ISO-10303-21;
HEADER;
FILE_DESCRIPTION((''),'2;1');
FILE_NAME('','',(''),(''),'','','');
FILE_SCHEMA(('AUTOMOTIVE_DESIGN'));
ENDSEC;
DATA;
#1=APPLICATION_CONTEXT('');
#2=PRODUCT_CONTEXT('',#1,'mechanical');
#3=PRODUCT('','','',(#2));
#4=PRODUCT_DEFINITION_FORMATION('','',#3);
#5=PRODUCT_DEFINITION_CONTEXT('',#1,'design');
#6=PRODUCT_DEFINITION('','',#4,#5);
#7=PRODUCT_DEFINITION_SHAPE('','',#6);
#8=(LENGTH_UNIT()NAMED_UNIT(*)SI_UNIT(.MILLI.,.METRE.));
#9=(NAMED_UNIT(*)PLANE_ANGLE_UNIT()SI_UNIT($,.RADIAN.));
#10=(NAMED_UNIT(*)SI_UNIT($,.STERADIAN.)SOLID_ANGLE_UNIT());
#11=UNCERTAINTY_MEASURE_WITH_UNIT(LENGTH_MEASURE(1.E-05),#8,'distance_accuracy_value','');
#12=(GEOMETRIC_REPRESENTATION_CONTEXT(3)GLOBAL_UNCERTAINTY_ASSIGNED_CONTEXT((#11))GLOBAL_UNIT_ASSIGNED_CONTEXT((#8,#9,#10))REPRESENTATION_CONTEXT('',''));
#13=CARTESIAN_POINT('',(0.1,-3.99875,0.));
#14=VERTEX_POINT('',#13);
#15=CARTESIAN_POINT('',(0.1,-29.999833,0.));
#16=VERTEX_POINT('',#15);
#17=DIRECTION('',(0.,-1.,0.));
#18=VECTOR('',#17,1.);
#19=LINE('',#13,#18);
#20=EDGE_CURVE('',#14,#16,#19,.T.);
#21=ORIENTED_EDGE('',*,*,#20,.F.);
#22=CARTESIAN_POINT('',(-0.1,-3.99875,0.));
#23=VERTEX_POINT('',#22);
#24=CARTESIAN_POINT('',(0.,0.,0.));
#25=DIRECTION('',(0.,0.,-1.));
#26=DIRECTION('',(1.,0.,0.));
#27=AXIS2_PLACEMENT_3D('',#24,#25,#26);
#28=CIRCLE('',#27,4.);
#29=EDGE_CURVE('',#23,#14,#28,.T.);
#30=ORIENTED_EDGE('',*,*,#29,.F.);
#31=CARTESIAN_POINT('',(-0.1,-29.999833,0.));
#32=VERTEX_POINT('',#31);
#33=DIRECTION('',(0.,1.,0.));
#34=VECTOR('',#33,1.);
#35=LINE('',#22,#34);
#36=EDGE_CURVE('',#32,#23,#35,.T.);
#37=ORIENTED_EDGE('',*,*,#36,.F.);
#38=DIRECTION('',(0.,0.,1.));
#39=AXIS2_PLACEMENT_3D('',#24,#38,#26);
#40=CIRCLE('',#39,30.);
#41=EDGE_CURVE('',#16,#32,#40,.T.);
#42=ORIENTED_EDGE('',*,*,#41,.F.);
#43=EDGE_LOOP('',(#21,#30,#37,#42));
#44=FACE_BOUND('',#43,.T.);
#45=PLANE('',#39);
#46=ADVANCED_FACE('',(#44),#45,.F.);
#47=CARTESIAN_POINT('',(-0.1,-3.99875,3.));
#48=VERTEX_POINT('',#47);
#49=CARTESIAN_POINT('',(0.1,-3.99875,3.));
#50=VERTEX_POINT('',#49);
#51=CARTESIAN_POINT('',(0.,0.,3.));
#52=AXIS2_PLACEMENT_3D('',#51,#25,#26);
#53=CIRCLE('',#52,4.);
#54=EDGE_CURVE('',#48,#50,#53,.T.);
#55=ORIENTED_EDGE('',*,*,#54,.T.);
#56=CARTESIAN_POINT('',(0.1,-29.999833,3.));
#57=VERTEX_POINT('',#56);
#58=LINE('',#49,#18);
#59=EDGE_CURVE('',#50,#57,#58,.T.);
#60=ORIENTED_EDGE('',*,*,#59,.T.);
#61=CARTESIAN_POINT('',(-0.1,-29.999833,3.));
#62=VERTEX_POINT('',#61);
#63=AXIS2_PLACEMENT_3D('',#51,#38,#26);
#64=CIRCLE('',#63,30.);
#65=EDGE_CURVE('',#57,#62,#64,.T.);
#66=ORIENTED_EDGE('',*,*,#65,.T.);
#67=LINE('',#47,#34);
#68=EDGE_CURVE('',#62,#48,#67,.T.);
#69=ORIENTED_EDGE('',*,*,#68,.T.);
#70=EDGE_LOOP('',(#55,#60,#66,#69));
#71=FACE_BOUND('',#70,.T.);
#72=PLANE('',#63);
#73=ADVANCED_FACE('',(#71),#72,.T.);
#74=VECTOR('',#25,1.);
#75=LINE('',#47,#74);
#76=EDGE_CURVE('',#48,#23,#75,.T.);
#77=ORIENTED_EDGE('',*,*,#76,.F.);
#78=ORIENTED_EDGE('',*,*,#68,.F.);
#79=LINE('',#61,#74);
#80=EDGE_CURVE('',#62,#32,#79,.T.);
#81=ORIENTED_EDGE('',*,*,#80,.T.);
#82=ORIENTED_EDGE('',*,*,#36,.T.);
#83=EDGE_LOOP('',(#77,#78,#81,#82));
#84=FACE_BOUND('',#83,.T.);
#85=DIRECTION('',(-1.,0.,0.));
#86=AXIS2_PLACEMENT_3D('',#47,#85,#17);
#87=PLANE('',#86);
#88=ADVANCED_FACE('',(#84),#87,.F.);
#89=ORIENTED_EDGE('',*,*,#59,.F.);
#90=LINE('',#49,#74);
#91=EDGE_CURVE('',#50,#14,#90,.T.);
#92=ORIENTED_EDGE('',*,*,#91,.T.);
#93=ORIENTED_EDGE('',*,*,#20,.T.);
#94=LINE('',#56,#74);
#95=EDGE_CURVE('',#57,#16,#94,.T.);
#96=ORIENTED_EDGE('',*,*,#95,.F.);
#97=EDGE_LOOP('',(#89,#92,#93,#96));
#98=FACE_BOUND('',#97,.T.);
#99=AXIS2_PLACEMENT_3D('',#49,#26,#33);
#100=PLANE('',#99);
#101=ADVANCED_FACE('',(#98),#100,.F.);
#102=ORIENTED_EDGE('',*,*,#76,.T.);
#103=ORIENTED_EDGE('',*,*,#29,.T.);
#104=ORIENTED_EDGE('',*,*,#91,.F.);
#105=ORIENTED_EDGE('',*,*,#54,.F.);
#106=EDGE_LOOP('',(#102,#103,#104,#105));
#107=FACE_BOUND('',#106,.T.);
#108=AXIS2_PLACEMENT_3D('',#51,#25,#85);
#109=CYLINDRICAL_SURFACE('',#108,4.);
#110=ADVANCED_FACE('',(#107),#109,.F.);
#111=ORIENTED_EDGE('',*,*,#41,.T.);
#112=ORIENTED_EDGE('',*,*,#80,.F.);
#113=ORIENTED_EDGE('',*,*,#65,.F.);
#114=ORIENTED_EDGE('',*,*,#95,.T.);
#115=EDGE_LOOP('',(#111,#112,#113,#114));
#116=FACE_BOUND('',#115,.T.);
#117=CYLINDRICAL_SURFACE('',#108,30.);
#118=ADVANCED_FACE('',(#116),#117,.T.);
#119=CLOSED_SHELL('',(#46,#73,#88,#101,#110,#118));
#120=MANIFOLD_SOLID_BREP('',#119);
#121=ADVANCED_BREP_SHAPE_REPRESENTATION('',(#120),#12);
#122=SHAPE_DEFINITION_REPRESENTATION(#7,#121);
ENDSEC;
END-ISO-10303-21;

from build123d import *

# Parameters (mm, degrees)
RESSALTO_EXTRUS_O1_DEPTH = 3


with BuildPart() as part:
    # Esboço1 → Ressalto-extrusão1 (new body)
    with BuildSketch(Plane.XY):
        with BuildLine():
            Line((0.1, -3.998749805), (0.1, -29.999833333))
            ThreePointArc((0.1, -29.999833333), (0, 30), (-0.1, -29.999833333))
            Line((-0.1, -29.999833333), (-0.1, -3.998749805))
            ThreePointArc((-0.1, -3.998749805), (0, 4), (0.1, -3.998749805))
        make_face()
    extrude(amount=RESSALTO_EXTRUS_O1_DEPTH)


solid = part.part
